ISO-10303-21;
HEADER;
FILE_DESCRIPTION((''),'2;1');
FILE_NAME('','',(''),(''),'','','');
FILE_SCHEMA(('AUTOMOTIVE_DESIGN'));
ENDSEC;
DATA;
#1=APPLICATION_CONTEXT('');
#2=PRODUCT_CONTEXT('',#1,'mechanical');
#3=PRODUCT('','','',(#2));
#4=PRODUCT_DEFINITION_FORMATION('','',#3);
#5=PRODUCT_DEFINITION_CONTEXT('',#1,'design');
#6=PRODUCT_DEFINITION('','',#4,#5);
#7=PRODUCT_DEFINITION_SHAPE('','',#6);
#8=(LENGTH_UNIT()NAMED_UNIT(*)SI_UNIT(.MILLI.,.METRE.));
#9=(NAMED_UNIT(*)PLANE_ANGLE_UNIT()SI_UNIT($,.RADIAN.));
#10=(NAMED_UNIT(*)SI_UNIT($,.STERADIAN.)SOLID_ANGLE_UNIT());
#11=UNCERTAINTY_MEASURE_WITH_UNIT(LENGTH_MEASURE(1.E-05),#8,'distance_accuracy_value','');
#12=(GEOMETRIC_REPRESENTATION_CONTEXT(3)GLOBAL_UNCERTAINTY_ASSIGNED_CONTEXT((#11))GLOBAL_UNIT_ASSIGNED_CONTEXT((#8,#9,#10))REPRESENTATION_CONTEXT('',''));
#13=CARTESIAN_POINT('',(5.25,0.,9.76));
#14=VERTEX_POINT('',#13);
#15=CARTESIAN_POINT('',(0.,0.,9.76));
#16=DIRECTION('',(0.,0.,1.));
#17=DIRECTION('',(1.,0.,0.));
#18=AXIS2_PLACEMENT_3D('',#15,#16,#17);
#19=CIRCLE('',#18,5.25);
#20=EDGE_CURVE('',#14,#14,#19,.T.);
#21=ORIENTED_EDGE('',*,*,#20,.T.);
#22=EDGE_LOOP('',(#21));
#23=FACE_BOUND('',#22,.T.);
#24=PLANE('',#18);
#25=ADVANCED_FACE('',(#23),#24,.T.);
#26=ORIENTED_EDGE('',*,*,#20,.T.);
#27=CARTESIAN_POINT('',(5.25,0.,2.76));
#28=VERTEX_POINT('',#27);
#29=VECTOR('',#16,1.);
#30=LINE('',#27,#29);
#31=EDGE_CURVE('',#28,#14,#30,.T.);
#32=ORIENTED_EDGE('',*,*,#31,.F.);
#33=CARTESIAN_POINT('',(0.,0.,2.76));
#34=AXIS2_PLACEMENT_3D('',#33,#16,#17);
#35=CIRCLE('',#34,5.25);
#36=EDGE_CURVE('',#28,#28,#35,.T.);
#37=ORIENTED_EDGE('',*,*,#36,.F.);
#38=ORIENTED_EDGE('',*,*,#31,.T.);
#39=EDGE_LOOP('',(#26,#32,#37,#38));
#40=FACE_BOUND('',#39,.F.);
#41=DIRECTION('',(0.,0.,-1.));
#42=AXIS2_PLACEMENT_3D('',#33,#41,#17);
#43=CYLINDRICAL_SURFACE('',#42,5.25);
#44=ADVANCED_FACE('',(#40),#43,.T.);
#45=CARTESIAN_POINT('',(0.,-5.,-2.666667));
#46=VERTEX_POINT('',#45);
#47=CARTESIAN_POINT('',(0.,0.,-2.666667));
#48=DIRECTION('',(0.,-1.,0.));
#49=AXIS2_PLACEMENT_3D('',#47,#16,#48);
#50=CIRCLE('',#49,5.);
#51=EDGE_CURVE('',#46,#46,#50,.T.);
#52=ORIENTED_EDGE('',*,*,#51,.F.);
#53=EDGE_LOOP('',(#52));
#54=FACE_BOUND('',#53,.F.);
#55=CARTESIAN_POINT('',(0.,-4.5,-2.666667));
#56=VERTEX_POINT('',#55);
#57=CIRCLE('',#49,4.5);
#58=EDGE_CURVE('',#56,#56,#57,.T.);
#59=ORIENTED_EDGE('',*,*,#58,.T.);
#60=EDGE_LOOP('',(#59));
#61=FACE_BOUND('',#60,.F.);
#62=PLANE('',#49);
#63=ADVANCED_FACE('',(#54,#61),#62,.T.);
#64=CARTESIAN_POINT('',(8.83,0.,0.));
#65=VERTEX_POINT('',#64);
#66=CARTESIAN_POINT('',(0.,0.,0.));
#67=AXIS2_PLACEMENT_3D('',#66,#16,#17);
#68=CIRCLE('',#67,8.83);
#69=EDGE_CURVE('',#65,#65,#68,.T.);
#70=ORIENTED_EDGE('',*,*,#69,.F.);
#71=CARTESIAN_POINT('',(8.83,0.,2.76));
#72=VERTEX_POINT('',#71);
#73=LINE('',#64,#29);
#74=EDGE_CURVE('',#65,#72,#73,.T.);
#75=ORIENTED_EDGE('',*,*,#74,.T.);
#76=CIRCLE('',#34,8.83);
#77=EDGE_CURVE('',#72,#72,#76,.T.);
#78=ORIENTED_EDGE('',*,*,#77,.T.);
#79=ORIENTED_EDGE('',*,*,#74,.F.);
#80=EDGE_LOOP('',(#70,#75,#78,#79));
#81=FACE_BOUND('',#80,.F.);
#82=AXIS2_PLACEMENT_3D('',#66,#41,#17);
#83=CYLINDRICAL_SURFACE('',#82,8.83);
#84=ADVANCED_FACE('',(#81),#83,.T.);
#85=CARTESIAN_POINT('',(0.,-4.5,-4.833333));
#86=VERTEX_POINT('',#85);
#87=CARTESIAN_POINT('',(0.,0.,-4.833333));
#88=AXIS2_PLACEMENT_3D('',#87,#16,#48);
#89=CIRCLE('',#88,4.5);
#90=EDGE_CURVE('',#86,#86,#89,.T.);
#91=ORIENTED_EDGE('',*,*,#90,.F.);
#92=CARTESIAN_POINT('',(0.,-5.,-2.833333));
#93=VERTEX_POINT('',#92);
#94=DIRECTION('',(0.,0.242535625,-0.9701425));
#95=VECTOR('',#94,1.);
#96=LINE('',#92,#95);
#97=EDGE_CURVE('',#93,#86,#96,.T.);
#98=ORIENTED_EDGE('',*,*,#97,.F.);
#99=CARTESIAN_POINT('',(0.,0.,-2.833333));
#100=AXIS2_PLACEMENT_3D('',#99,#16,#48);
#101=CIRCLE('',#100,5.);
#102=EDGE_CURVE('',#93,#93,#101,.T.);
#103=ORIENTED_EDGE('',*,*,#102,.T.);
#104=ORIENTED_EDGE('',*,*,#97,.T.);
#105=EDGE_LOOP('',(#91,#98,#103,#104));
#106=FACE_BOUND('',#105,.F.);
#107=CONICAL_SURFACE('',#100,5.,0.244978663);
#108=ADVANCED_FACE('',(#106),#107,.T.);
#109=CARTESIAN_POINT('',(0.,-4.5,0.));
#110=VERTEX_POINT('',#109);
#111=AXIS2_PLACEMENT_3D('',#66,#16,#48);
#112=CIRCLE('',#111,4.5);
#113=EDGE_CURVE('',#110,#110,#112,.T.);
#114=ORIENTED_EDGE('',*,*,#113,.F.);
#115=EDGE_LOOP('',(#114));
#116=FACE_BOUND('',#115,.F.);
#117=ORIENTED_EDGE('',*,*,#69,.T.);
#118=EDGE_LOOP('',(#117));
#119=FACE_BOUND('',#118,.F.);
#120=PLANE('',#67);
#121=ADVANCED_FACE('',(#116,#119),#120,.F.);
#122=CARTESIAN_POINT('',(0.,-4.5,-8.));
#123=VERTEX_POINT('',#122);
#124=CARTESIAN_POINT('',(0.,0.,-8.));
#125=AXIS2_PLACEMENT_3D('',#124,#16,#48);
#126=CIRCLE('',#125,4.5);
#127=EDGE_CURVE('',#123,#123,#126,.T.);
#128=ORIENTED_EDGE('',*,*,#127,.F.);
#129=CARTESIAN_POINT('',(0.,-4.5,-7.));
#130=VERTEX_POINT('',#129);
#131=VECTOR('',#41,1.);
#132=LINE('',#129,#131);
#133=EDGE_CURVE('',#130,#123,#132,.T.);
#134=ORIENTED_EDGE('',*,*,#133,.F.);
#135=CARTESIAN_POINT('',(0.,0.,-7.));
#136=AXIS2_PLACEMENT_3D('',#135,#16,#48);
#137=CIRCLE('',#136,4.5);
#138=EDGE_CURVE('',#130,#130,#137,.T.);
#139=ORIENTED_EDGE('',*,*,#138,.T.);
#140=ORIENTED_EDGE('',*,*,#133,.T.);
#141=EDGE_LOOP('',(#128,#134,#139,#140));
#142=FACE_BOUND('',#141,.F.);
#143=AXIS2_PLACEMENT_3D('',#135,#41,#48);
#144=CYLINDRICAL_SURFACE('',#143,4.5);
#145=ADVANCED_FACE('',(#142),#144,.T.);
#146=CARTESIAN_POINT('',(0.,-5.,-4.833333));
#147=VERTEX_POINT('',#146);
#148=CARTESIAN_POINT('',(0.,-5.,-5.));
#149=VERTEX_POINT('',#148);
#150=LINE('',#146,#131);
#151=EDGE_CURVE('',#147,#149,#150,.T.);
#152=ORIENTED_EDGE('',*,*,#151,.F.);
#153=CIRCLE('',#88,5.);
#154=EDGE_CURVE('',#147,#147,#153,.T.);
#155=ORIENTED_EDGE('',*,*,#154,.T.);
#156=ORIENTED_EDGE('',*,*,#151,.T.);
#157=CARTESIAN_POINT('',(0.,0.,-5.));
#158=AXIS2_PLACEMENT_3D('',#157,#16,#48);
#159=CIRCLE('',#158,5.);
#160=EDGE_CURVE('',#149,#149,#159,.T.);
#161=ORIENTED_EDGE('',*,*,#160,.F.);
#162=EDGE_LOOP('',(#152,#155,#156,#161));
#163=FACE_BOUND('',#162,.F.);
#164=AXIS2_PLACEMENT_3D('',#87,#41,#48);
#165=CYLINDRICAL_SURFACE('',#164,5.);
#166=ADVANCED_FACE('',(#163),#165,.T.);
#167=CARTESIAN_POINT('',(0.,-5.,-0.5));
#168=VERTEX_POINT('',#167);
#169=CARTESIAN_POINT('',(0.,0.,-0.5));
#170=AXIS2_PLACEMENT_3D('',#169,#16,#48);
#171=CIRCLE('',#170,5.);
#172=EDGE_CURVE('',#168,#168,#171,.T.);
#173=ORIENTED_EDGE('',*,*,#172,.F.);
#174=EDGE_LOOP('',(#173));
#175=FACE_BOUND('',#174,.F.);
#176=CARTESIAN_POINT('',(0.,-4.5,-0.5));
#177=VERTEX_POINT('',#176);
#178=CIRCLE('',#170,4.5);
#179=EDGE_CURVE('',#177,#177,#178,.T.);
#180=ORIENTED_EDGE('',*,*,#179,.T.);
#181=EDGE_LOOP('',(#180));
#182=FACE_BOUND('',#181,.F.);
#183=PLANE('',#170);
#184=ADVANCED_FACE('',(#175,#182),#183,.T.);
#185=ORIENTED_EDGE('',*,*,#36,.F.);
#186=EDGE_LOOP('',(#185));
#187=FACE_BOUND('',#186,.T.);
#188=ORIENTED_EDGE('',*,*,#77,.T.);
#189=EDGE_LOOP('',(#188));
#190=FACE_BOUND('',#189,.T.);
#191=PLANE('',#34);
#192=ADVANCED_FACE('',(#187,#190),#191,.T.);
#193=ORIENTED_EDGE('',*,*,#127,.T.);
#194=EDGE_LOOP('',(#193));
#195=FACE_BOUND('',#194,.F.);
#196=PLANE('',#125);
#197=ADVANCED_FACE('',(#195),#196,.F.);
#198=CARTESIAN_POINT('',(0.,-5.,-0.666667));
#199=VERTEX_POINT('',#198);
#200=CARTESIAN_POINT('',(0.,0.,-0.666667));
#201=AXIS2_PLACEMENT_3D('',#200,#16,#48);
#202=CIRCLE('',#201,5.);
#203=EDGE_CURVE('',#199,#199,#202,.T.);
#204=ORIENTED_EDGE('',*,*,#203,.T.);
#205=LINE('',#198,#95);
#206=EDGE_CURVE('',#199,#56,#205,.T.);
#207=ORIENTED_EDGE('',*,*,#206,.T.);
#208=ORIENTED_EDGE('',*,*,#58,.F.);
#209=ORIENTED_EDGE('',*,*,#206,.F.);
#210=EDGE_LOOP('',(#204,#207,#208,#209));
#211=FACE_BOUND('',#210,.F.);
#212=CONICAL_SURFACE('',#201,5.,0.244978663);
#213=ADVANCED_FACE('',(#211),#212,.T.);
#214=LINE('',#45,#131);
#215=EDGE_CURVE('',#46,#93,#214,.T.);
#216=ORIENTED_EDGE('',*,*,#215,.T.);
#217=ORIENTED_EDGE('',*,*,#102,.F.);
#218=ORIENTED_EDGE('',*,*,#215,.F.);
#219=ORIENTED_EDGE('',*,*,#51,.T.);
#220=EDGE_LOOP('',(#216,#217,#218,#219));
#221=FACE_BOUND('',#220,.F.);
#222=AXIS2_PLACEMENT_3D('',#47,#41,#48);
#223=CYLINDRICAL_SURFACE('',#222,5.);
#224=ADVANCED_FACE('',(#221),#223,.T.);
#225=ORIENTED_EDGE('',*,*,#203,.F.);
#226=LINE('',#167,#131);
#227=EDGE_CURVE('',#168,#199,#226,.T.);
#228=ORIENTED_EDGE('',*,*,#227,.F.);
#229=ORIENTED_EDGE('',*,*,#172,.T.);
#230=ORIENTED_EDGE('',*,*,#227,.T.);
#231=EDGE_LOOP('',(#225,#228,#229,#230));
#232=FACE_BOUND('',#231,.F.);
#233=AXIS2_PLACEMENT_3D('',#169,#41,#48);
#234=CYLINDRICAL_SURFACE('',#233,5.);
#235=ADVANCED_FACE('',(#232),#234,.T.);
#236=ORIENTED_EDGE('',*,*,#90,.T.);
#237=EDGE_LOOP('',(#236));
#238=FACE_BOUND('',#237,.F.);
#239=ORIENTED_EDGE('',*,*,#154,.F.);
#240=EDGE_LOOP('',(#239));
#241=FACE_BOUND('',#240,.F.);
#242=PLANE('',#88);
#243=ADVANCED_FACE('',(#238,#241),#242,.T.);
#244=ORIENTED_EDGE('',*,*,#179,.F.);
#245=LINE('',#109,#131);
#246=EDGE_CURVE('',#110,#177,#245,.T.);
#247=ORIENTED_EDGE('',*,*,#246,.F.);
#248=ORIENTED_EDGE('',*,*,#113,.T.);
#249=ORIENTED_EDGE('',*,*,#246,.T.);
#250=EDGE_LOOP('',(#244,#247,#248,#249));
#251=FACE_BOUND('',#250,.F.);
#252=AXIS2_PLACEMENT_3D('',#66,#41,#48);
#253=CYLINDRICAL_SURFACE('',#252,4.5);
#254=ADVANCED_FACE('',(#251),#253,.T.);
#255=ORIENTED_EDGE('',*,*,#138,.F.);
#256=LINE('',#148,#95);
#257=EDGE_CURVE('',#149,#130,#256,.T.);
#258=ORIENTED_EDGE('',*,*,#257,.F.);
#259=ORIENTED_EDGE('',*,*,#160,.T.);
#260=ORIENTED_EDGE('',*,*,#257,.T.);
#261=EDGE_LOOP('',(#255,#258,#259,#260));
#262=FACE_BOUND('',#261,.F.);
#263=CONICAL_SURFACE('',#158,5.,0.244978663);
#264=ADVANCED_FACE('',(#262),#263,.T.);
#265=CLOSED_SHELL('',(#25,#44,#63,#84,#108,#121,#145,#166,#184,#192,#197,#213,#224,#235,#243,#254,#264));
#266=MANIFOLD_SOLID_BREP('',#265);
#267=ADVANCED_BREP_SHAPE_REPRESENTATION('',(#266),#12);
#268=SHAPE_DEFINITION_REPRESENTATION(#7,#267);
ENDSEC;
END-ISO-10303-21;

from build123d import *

# Parameters (mm, degrees)
F0_R     = 8.83
F1_DEPTH = 2.76
F4_R     = 5.25
F5_DEPTH = 7


with BuildPart() as f1:
    # F0 (on Top) → F1 (new body)
    with BuildSketch(Plane.XY):
        Circle(F0_R)
    extrude(amount=F1_DEPTH)

    # F2 (on Right) → F3 (revolve)
    with BuildSketch(Plane.YZ):
        Polygon((0, -8), (0, 0), (-4.5, 0), (-4.5, -0.5), (-5, -0.5), (-5, -0.666667), (-4.5, -2.666667), (-5, -2.666667), (-5, -2.833333), (-4.5, -4.833333), (-5, -4.833333), (-5, -5), (-4.5, -7), (-4.5, -8), align=None)
    revolve(axis=Axis((0, 0, -4), (0, 0, 1)))

    # F4 (on face) → F5 (join)
    with BuildSketch(Plane.XY.offset(2.76)):
        Circle(F4_R)
    extrude(amount=F5_DEPTH)


solid = f1.part
